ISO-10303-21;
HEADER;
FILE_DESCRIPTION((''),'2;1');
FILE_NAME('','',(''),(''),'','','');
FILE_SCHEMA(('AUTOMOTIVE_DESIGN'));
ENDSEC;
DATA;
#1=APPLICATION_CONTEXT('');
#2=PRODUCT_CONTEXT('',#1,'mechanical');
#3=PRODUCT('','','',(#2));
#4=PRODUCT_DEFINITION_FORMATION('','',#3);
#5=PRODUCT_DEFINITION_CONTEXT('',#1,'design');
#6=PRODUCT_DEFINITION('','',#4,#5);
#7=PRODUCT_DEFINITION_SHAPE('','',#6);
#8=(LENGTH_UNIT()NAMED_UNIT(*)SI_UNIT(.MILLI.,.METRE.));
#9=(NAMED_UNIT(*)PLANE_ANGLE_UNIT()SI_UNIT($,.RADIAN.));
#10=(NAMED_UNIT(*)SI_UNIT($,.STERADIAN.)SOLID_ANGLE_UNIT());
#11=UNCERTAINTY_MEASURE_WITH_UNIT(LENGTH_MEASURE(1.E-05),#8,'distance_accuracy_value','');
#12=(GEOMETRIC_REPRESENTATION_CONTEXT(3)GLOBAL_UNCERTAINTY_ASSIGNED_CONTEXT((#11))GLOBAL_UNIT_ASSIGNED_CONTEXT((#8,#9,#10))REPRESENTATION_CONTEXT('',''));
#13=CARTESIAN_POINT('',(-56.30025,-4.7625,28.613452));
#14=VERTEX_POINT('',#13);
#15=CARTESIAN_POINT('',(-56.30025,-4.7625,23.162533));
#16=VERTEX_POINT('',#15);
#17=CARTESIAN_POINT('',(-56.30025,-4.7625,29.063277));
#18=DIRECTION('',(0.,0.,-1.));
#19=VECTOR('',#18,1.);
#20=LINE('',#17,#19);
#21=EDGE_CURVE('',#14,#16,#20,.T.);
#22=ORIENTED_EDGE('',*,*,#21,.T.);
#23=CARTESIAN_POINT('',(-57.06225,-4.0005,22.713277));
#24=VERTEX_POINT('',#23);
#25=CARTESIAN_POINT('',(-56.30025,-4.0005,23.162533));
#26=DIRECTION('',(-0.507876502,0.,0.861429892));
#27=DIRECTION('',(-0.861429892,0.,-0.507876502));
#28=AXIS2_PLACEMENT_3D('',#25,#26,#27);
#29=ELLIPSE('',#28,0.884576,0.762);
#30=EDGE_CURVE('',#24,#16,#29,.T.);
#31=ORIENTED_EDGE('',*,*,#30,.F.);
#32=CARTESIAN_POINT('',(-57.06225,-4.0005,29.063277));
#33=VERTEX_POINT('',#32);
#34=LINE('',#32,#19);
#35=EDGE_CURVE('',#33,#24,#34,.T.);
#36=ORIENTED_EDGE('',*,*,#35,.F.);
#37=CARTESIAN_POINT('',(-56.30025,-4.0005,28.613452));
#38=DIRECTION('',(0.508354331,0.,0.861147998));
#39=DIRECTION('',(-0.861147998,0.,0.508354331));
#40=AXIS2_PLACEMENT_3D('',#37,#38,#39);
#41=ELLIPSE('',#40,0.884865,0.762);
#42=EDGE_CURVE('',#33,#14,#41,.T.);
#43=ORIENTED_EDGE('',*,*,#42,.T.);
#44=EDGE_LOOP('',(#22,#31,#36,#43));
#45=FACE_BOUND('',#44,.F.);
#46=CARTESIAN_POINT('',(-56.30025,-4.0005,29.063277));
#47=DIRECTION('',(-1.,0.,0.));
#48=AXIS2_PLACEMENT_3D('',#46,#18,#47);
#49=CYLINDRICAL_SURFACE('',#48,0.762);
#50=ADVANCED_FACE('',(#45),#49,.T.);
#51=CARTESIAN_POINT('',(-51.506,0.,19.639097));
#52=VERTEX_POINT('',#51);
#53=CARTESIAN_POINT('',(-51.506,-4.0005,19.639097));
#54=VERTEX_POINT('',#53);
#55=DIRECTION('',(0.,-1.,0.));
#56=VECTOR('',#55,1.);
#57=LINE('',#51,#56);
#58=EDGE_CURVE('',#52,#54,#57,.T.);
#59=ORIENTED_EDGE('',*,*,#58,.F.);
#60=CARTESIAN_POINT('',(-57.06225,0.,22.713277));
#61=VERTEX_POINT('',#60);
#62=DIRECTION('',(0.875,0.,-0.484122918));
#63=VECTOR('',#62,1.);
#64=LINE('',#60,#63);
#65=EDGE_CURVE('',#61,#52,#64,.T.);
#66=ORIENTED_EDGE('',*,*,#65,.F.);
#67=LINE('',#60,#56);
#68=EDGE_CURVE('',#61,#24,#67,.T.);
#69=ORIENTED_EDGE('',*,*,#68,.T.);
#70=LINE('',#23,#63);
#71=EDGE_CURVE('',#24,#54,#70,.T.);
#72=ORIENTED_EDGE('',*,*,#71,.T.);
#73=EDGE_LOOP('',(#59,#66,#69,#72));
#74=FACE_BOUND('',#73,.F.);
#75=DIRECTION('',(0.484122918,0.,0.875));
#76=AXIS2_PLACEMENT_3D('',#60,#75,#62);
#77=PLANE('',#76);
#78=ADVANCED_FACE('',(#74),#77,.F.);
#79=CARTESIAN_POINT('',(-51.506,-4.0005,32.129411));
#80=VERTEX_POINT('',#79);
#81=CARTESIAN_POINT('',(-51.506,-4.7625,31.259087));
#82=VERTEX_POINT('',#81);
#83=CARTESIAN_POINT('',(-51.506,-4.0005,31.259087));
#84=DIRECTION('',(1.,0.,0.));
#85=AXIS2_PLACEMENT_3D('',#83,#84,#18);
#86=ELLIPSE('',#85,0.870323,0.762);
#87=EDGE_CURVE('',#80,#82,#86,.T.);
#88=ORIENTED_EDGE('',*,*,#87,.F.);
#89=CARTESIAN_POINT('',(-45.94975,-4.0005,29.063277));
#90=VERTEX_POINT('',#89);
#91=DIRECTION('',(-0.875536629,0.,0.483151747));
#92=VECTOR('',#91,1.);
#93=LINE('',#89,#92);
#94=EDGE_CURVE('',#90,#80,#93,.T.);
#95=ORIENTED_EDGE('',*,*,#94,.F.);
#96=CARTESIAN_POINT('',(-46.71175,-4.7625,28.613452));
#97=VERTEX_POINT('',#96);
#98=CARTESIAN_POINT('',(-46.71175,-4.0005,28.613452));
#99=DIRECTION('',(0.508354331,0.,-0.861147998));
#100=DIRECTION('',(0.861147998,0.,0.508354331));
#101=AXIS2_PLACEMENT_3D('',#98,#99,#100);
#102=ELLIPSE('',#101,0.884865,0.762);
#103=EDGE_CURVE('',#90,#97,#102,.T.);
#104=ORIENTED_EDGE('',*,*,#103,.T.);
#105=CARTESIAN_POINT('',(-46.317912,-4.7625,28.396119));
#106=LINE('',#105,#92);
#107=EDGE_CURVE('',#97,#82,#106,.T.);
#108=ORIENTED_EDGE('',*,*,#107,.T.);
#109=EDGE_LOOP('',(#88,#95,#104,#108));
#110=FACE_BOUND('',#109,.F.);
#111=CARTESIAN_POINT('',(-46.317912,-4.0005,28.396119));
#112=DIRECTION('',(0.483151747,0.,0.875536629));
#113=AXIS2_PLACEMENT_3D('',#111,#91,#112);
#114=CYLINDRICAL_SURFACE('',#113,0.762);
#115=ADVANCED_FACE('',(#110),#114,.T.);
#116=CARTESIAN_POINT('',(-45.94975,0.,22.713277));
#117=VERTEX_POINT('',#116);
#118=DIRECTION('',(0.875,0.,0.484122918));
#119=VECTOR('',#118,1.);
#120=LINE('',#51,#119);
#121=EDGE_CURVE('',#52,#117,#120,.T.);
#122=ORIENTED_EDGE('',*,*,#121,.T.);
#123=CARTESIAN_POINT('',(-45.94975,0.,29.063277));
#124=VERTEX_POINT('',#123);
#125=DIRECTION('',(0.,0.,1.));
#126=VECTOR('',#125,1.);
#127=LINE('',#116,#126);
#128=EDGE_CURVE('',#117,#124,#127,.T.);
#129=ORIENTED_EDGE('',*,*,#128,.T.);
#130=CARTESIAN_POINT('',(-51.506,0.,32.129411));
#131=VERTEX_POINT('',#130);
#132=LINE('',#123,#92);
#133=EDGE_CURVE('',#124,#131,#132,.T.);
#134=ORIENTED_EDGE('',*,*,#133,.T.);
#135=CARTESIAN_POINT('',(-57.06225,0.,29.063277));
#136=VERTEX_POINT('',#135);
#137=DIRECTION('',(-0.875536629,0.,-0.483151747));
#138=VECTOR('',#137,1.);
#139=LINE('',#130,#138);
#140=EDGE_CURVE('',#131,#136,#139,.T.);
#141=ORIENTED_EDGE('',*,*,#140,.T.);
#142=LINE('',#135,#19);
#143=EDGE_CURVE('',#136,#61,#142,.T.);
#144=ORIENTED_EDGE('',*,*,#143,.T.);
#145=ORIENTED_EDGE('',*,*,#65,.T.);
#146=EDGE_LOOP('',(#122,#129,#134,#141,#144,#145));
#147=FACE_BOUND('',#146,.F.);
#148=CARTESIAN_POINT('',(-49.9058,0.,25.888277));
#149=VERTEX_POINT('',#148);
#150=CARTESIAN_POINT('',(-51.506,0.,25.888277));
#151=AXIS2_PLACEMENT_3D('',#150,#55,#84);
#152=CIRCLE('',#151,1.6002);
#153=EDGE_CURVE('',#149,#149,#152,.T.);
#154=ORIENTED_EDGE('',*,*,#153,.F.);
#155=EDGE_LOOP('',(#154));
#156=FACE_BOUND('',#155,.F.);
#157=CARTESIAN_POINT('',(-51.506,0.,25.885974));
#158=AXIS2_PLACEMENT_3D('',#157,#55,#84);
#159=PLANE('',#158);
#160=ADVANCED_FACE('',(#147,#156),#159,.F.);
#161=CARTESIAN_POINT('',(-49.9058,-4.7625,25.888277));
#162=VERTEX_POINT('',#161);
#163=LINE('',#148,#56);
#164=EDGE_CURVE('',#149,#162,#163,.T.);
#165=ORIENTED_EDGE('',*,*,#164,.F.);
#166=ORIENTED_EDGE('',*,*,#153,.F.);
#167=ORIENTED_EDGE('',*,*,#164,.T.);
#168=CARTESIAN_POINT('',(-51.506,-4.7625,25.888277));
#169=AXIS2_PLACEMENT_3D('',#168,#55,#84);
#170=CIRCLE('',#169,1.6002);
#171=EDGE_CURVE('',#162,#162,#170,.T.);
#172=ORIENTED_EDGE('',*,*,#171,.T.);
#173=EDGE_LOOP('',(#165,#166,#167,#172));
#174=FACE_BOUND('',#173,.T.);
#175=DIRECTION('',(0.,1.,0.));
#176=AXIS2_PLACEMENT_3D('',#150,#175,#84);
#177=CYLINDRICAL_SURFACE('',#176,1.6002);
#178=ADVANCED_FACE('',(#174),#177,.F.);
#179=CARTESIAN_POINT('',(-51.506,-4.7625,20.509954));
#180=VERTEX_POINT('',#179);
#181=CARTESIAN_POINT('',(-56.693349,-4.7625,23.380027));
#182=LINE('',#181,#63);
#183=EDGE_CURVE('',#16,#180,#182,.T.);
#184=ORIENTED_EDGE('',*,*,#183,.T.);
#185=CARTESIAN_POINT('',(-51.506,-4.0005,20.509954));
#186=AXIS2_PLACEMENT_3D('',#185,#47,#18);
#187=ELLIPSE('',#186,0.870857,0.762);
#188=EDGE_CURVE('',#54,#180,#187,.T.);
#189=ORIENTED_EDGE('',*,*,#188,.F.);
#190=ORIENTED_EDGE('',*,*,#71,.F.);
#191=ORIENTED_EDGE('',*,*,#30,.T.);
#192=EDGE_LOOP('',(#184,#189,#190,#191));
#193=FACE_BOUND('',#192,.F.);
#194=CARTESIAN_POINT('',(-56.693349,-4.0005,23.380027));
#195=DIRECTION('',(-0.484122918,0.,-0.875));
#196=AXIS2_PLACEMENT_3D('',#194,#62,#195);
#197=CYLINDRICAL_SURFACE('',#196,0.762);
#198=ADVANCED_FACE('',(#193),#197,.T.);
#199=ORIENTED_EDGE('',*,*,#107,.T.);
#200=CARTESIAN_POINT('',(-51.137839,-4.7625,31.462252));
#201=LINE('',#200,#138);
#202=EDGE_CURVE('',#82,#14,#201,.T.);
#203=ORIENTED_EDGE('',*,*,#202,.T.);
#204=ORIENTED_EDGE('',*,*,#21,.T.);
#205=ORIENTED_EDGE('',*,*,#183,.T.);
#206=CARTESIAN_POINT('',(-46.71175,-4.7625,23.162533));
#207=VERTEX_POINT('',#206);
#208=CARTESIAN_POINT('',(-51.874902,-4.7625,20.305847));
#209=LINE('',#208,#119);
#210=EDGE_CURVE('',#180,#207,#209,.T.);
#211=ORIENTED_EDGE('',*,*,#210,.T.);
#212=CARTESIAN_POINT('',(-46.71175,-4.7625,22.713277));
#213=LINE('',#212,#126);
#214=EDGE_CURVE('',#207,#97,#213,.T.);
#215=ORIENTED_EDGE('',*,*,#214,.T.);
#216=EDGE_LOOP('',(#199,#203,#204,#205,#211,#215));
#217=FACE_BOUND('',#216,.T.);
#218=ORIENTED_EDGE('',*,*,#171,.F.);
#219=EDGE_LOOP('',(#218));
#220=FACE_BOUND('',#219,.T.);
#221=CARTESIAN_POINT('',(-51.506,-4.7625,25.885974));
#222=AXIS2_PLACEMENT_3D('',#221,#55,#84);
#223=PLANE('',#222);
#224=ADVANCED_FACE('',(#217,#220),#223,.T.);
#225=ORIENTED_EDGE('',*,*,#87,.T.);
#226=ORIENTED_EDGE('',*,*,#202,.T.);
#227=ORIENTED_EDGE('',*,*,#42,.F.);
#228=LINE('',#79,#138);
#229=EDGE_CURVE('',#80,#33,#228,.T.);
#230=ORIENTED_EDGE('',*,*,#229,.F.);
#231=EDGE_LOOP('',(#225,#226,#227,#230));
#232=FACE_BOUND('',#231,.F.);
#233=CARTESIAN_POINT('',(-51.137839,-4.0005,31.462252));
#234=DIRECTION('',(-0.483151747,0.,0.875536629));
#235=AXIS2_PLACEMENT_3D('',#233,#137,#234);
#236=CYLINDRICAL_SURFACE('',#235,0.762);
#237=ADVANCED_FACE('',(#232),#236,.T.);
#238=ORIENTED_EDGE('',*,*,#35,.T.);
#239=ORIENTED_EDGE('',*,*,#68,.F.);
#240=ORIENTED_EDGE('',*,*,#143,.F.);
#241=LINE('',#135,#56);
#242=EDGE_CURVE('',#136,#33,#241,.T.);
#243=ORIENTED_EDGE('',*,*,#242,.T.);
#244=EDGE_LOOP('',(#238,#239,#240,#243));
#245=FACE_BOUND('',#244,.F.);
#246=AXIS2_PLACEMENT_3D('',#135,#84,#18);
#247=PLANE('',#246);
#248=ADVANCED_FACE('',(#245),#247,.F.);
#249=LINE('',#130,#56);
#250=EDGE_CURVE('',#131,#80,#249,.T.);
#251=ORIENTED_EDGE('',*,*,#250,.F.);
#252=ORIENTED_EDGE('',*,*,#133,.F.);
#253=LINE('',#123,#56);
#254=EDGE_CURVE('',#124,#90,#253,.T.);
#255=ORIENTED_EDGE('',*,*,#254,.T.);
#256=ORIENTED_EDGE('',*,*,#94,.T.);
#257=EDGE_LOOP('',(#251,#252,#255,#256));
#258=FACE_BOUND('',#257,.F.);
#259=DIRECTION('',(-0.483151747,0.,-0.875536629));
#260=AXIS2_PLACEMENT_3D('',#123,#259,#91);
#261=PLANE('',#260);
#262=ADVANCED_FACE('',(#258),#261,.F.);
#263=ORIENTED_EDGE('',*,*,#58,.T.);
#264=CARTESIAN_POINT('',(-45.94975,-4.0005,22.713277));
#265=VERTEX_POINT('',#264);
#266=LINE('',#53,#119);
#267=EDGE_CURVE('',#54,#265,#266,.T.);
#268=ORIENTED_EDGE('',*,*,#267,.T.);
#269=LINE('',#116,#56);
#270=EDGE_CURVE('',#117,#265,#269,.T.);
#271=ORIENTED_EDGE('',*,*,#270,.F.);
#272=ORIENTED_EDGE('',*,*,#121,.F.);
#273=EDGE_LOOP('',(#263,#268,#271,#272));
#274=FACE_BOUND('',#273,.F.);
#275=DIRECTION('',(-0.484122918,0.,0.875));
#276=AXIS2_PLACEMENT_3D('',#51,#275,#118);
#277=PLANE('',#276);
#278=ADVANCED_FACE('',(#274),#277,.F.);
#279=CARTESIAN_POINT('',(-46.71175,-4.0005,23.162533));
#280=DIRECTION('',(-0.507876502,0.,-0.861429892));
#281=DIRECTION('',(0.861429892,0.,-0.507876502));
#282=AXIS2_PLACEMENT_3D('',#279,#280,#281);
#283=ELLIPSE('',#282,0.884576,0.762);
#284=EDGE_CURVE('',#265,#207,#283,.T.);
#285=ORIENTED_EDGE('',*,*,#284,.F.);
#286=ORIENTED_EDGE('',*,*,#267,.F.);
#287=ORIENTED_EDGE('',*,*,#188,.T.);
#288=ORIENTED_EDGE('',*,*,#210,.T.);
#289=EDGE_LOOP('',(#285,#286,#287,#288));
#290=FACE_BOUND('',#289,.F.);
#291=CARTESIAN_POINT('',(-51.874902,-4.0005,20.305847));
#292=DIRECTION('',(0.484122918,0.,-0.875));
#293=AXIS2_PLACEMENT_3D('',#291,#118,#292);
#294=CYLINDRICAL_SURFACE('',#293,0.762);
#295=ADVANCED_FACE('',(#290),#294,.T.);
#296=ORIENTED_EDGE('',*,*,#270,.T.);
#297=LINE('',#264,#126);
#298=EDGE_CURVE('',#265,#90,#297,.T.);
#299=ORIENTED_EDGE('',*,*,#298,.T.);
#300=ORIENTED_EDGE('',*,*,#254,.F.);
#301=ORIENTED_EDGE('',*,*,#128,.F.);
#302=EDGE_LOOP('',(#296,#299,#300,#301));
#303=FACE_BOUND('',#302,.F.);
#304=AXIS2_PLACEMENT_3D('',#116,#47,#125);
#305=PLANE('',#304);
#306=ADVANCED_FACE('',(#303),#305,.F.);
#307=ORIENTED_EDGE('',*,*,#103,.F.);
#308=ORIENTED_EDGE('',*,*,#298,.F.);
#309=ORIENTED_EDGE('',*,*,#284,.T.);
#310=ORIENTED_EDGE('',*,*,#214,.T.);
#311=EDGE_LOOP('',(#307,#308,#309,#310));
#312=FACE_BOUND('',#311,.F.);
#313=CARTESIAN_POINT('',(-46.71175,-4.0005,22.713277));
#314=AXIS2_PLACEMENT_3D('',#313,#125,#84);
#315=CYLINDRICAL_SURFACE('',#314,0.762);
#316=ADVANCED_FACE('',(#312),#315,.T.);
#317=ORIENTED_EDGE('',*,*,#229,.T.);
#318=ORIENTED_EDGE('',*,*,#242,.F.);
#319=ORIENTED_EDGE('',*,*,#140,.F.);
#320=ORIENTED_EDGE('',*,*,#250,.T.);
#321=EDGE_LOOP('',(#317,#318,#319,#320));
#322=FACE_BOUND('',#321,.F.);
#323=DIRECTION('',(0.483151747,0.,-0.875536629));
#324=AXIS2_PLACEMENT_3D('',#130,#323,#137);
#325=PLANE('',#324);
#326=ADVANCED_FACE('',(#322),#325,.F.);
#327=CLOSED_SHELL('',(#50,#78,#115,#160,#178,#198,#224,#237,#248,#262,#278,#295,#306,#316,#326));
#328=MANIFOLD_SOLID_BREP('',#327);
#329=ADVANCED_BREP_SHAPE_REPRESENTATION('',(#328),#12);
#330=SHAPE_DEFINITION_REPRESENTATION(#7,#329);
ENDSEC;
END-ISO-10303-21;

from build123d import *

# Parameters (mm, degrees)
F1_DEPTH = 9.525
F3_R     = 1.6002
F4_DEPTH = 4.7625
F5_R     = 0.762


with BuildPart() as f1:
    # F0 (on Front) → F1 (new body)
    with BuildSketch(Plane.XZ):
        Polygon((-47.0958250334, 35.7042094693), (-47.0958250334, 38.9427094693), (-43.8573250334, 38.9427094693), (-43.8573250334, 41.6986094693), (-49.5457097801, 38.8764154693), (-49.5457097801, 32.5264154693), (-43.8573250334, 29.7042214693), (-43.8573250334, 32.4657094693), (-47.0958250334, 32.4657094693), align=None)
        Polygon((-43.8573250334, 41.6986094693), (-43.8573250334, 38.9427094693), (-40.6188250334, 38.9427094693), (-40.6188250334, 35.7042094693), (-40.6188250334, 32.4657094693), (-43.8573250334, 32.4657094693), (-43.8573250334, 29.7042214693), (-38.1689402867, 32.5264154693), (-38.1689402867, 38.8764154693), align=None)
    extrude(amount=F1_DEPTH)


with BuildPart() as f4:
    # F3 (on Front) → F4 (new body)
    with BuildSketch(Plane.XZ):
        Polygon((-51.5060001731, 32.1294106543), (-57.0622501731, 29.0632774889), (-57.0622501731, 22.7132774889), (-51.5060001731, 19.6390969579), (-45.9497501731, 22.7132774889), (-45.9497501731, 29.0632774889), align=None)
        with Locations((-51.5060001731, 25.8882774889)):
            Circle(F3_R, mode=Mode.SUBTRACT)
    extrude(amount=F4_DEPTH)

    # F5
    f5_edges = [f4.edges().sort_by_distance(p)[0] for p in [
        (-54.284125, -4.7625, 30.596344),
        (-57.06225, -4.7625, 25.888277),
        (-54.284125, -4.7625, 21.176187),
        (-48.727875, -4.7625, 21.176187),
        (-45.94975, -4.7625, 25.888277),
        (-48.727875, -4.7625, 30.596344),
    ]]
    fillet(f5_edges, radius=F5_R)


solid = f4.part
